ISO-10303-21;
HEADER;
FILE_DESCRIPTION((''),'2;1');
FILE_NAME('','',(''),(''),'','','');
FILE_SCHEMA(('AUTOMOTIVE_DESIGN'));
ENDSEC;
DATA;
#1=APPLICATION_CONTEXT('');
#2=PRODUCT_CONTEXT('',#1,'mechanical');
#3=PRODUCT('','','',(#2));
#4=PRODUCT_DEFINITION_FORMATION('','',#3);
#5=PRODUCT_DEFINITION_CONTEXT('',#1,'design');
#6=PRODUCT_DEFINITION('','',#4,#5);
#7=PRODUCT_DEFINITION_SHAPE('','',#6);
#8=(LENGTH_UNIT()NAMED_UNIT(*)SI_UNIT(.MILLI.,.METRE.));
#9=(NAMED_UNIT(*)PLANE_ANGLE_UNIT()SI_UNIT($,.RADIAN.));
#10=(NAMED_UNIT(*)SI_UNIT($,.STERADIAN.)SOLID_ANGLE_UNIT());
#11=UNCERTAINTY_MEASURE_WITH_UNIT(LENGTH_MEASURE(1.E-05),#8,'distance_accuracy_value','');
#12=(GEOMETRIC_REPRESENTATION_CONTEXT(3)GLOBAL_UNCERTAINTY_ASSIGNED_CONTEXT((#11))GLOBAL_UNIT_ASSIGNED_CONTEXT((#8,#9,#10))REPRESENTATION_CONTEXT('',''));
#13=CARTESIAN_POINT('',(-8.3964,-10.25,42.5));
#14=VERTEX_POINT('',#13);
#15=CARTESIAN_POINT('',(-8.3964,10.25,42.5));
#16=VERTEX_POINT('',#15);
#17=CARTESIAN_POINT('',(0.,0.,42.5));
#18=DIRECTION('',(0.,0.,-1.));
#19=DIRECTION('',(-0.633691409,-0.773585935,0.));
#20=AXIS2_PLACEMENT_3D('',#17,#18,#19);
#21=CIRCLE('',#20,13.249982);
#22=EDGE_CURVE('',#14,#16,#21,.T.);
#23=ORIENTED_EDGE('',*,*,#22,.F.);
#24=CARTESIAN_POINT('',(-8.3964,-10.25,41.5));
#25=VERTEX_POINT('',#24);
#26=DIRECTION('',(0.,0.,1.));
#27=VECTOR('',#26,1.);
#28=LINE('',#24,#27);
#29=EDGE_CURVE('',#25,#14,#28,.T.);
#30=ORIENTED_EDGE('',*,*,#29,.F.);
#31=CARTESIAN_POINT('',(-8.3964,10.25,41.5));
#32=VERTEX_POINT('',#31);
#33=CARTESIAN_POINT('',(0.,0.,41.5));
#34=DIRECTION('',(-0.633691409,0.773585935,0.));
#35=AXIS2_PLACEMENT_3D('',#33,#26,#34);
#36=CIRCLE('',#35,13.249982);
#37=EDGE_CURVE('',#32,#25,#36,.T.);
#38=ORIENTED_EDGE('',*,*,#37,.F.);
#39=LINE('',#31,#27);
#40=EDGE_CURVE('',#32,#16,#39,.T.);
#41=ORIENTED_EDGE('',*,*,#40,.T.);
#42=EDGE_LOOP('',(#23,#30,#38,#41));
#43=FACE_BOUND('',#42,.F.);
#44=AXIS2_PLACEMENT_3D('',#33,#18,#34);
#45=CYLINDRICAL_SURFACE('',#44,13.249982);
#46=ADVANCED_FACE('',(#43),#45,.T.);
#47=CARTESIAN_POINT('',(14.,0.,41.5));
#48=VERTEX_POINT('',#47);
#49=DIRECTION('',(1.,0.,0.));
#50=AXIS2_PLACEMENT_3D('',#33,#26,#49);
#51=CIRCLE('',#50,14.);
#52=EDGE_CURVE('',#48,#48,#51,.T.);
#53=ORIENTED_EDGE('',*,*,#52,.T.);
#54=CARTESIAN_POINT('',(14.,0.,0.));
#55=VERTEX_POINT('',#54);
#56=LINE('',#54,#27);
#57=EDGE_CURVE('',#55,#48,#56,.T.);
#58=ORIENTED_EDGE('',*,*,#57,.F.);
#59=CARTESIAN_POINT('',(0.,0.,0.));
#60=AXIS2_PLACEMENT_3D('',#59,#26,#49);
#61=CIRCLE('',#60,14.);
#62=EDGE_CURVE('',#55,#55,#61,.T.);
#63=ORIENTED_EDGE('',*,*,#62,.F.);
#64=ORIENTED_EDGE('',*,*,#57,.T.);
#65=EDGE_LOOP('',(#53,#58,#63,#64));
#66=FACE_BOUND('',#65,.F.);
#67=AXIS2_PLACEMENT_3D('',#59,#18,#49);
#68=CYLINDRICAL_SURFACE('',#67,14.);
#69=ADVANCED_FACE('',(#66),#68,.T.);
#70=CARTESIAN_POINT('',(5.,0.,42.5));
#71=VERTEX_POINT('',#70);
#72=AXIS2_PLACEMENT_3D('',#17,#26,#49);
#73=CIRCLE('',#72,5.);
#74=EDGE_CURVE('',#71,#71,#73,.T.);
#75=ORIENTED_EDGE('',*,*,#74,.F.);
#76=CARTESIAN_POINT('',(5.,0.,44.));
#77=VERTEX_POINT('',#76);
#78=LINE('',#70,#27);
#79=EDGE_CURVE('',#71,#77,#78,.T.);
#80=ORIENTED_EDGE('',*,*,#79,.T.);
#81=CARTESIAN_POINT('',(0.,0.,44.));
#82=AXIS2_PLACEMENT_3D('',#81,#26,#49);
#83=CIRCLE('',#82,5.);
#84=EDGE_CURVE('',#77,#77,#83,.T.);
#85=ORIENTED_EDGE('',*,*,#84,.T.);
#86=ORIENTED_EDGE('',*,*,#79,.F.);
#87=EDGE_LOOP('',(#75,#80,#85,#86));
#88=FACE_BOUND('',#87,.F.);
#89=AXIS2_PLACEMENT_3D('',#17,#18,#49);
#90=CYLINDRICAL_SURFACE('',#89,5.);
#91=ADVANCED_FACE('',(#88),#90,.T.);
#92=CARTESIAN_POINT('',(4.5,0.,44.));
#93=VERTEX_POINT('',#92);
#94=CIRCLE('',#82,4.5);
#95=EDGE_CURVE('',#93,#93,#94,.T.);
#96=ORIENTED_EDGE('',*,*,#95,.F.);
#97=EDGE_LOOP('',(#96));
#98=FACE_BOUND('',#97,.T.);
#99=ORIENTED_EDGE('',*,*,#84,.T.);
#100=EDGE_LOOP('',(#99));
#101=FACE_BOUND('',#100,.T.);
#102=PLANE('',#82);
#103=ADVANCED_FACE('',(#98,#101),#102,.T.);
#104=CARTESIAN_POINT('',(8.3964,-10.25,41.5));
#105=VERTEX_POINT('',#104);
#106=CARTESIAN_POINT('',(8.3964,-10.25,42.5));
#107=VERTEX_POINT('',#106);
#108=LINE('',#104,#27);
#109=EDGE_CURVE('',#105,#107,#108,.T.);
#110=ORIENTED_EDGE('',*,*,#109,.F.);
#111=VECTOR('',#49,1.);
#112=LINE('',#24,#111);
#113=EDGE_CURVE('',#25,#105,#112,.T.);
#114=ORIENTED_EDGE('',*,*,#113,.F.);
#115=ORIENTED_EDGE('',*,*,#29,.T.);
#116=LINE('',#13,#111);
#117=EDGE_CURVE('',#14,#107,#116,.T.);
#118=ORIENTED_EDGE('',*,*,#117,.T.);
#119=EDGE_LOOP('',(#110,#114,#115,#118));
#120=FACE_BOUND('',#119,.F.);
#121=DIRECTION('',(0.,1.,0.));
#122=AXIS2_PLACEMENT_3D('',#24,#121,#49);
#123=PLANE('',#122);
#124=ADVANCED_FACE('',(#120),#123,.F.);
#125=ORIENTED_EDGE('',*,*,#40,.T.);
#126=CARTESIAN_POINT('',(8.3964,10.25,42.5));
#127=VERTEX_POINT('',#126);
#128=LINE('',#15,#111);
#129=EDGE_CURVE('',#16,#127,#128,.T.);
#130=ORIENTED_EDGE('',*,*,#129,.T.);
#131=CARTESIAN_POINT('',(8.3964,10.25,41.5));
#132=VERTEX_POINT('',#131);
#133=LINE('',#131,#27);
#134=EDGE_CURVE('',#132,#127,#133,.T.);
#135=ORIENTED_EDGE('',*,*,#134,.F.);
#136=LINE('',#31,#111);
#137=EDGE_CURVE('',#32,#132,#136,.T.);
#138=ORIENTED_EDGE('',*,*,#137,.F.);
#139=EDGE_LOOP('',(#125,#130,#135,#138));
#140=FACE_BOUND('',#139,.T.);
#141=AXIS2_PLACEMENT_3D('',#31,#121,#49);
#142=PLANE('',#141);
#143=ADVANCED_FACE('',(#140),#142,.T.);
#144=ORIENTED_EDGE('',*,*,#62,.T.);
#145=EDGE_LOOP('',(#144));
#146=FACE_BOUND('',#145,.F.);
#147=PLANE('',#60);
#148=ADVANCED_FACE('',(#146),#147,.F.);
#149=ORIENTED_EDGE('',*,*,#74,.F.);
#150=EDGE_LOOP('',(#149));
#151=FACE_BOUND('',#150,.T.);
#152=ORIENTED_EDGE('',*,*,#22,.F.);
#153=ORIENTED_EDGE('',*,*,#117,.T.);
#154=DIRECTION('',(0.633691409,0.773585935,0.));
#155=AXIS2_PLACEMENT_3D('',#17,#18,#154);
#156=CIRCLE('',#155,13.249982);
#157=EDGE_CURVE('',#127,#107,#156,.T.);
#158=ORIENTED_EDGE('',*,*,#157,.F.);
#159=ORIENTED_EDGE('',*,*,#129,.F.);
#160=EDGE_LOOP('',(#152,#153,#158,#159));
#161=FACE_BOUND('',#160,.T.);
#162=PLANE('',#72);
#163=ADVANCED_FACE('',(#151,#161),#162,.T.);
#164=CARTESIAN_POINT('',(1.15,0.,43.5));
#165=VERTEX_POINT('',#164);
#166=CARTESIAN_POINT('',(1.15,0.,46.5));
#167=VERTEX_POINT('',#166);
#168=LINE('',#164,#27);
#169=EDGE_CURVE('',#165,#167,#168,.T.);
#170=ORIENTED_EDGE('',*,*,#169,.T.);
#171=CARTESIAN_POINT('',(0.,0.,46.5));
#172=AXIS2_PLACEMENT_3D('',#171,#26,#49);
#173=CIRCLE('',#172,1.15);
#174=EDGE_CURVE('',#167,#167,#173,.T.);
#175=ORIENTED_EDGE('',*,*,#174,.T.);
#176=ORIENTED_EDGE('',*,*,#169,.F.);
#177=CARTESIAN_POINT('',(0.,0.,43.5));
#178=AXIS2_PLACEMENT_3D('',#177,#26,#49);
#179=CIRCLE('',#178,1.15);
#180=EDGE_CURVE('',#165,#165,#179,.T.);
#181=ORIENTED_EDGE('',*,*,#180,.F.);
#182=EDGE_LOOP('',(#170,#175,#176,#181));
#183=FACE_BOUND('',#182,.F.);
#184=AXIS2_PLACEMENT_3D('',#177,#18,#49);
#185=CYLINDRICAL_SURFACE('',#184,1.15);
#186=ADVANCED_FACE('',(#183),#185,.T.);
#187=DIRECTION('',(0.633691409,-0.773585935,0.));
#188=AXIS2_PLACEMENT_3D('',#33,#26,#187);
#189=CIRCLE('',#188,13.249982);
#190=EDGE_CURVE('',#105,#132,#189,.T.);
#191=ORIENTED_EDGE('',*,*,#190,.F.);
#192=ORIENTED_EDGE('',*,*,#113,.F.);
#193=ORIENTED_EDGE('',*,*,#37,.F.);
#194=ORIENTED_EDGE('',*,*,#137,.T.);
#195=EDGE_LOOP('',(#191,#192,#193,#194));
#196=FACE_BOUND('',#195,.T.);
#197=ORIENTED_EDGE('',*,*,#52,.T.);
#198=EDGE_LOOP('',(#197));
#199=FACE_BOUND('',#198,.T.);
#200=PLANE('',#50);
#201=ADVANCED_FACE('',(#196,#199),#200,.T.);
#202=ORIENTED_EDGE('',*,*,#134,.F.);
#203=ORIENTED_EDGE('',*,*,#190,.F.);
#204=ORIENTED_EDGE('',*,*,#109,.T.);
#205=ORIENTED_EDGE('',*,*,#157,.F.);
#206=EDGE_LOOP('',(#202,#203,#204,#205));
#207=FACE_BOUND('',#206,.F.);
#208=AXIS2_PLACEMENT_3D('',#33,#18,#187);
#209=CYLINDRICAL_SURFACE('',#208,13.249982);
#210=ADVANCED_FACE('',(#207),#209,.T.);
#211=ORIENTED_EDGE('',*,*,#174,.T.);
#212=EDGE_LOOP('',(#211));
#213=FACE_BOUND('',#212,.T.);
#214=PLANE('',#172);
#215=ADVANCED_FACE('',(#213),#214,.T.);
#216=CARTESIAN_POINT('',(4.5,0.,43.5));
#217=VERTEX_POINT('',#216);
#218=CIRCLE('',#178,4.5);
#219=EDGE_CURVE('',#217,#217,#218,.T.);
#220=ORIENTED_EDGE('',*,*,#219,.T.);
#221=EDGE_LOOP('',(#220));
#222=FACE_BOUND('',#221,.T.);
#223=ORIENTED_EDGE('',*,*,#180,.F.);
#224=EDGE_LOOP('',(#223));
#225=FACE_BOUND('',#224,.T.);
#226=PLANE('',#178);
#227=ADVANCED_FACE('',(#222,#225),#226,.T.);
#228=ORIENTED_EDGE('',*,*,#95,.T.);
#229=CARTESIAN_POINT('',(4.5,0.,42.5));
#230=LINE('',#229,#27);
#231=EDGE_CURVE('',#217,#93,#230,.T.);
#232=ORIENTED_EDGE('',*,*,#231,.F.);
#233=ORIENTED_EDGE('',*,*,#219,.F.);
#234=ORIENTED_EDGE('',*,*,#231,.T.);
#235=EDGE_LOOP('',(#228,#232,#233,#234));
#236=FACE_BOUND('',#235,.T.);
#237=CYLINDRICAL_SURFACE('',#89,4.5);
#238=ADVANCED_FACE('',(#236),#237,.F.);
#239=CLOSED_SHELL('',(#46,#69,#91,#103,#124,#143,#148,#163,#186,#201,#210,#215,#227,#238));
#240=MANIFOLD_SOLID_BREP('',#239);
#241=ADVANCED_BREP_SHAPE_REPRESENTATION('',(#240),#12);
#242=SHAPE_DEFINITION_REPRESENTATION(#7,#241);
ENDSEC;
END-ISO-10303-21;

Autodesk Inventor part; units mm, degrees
ref_plane "YZ Plane" through (0, 0, 0) normal (1, 0, 0) x (0, 1, 0)
ref_plane "XZ Plane" through (0, 0, 0) normal (0, 1, 0) x (-1, 0, 0)
ref_plane "XY Plane" through (0, 0, 0) normal (0, 0, 1) x (1, 0, 0)
sketch "Sketch1" plane through (0, 0, 0) normal (0, 0, 1) x (1, 0, 0)
  circle A0 centre (0, 0) radius 14
  dimension "d0" = 28
extrude "Extrusion1" add sketch "Sketch1" along normal blind 41.5
sketch "Sketch2" plane through (0, 0, 41.5) normal (0, 0, 1) x (1, 0, 0)
  line L0 (-8.3964, 10.25) -> (8.3964, 10.25)
  line L1 (-8.3964, -10.25) -> (8.3964, -10.25)
  line L2 (-19.6, 0) -> (19.6, 0) projected
  arc A0 (8.3964, -10.25) -> (8.3964, 10.25) centre (0, 0) ccw
  arc A1 (-8.3964, 10.25) -> (-8.3964, -10.25) centre (0, 0) ccw
  dimension "d4" = 10.25
  dimension "d5" = 10.25
extrude "Extrusion2" add sketch "Sketch2" along normal blind 1
sketch "Sketch3" plane through (0, 0, 42.5) normal (0, 0, 1) x (1, 0, 0)
  circle A0 centre (0, 0) radius 5
  circle A1 centre (0, 0) radius 4.5
  dimension "d8" = 10
  dimension "d9" = 9
extrude "Extrusion3" add sketch "Sketch3" along normal blind 1.5
sketch "Sketch4" plane through (0, 0, 42.5) normal (0, 0, 1) x (1, 0, 0)
  circle A0 centre (0, 0) radius 4.5
  dimension "d12" = 9
extrude "Extrusion4" add sketch "Sketch4" along normal blind 1
sketch "Sketch5" plane through (0, 0, 43.5) normal (0, 0, 1) x (1, 0, 0)
  circle A0 centre (0, 0) radius 1.15
  dimension "d15" = 2.3
extrude "Extrusion5" add sketch "Sketch5" along normal blind 3
properties part number "E600T_RC390_motor_front"
